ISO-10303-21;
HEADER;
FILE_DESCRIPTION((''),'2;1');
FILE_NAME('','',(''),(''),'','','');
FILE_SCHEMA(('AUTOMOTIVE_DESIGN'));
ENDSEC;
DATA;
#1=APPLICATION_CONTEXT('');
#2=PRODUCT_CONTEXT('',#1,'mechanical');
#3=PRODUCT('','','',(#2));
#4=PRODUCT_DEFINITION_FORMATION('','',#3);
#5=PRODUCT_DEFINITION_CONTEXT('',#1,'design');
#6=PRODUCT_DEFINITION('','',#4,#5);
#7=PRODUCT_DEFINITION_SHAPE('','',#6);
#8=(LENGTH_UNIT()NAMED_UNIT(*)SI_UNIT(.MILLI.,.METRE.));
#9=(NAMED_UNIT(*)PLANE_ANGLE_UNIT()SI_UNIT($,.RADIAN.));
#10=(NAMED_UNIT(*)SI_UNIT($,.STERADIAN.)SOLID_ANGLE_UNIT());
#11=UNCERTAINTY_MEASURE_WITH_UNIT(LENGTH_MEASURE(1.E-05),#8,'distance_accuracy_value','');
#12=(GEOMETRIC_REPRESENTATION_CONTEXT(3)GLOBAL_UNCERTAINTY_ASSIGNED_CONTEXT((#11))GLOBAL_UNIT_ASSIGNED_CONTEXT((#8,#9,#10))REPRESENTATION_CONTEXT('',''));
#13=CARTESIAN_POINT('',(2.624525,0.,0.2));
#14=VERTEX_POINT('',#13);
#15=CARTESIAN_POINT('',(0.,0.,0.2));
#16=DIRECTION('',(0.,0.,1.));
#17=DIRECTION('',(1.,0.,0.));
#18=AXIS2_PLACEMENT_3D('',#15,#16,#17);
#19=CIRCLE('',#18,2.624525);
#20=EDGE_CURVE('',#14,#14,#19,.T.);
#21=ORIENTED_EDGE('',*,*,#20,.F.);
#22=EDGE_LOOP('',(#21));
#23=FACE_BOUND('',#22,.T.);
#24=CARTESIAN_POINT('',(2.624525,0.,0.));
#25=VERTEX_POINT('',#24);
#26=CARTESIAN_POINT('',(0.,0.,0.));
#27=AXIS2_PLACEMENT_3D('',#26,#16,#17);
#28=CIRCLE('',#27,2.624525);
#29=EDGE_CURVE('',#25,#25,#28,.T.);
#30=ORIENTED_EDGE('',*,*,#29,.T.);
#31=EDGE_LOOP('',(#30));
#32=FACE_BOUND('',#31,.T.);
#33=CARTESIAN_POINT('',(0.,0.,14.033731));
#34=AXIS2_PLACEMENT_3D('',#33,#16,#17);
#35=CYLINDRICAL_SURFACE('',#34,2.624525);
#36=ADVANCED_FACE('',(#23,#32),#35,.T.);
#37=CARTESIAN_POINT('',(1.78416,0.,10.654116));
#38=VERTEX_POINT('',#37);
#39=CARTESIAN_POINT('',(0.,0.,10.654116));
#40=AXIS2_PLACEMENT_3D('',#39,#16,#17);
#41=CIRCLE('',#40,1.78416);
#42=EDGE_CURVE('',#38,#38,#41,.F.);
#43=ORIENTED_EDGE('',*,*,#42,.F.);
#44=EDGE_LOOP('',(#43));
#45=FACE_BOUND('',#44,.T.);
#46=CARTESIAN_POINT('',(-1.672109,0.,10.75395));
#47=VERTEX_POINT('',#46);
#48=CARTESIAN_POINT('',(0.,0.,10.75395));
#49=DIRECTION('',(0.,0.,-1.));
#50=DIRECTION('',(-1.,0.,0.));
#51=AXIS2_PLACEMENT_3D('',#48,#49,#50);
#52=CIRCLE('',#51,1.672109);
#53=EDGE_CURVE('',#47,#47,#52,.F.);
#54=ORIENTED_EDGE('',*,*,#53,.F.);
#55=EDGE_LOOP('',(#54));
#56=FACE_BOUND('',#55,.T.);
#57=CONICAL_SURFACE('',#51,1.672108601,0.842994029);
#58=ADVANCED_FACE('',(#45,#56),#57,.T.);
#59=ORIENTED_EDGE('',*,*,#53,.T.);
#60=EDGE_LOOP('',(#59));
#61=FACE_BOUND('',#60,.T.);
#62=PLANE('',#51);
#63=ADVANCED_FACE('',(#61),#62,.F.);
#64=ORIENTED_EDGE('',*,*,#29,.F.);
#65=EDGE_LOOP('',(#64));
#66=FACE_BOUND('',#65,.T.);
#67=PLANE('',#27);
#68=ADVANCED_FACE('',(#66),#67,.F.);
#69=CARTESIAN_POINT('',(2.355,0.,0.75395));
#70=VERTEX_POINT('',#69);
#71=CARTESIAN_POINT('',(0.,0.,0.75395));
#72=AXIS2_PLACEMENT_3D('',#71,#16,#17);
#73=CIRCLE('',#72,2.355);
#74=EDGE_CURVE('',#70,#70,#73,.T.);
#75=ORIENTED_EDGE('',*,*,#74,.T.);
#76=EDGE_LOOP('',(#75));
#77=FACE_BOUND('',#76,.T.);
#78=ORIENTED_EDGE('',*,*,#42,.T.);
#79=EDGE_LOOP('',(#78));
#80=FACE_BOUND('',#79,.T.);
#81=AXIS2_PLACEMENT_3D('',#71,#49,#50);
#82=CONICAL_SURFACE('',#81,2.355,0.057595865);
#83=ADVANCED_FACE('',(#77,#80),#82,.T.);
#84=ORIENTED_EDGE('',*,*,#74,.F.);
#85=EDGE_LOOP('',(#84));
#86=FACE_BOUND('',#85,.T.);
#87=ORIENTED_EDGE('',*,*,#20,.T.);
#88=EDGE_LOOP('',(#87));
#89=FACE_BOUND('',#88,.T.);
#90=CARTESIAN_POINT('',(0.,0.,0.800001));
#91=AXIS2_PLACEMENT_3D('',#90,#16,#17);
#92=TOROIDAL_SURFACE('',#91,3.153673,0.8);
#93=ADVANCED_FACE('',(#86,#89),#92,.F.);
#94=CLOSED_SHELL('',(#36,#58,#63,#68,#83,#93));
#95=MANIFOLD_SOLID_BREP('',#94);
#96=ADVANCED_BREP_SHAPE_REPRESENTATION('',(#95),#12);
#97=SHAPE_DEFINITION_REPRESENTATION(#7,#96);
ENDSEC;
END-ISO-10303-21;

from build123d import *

# Parameters (mm, degrees)
CHAMFER1_SIZE  = 0.1
CHAMFER1_SIZE2 = 0.106295026


with BuildPart() as part:
    # Sketch1 → Revolve1 (revolve)
    with BuildSketch(Plane(origin=(0, 0, 0), x_dir=(0, 0, -1), z_dir=(1, 0, 0))):
        with BuildLine():
            Line((-10.75395, 0), (-0.75395, 0))
            Line((-0.75395, 0), (0, 0))
            Line((0, 0), (0, 2.624524576))
            Line((0, 2.624524576), (-0.2, 2.624524576))
            ThreePointArc((-0.2, 2.624524576), (-0.449991487, 2.434303461), (-0.75395, 2.355))
            Line((-0.75395, 2.355), (-10.75395, 1.778403628))
            Line((-10.75395, 1.778403628), (-10.75395, 0))
        make_face()
    revolve(axis=Axis((0, 0, 14.033730871), (0, 0, -1)))

    # Chamfer1
    chamfer1_edges = [part.edges().sort_by_distance(p)[0] for p in [
        (0, -1.778403628, 10.75395),
    ]]
    chamfer1_side = [part.faces().sort_by_distance(p)[0] for p in [
        (0, -2.066701814, 5.75395),
    ]]
    chamfer(chamfer1_edges, length=CHAMFER1_SIZE, length2=CHAMFER1_SIZE2, reference=chamfer1_side[0])


solid = part.part
